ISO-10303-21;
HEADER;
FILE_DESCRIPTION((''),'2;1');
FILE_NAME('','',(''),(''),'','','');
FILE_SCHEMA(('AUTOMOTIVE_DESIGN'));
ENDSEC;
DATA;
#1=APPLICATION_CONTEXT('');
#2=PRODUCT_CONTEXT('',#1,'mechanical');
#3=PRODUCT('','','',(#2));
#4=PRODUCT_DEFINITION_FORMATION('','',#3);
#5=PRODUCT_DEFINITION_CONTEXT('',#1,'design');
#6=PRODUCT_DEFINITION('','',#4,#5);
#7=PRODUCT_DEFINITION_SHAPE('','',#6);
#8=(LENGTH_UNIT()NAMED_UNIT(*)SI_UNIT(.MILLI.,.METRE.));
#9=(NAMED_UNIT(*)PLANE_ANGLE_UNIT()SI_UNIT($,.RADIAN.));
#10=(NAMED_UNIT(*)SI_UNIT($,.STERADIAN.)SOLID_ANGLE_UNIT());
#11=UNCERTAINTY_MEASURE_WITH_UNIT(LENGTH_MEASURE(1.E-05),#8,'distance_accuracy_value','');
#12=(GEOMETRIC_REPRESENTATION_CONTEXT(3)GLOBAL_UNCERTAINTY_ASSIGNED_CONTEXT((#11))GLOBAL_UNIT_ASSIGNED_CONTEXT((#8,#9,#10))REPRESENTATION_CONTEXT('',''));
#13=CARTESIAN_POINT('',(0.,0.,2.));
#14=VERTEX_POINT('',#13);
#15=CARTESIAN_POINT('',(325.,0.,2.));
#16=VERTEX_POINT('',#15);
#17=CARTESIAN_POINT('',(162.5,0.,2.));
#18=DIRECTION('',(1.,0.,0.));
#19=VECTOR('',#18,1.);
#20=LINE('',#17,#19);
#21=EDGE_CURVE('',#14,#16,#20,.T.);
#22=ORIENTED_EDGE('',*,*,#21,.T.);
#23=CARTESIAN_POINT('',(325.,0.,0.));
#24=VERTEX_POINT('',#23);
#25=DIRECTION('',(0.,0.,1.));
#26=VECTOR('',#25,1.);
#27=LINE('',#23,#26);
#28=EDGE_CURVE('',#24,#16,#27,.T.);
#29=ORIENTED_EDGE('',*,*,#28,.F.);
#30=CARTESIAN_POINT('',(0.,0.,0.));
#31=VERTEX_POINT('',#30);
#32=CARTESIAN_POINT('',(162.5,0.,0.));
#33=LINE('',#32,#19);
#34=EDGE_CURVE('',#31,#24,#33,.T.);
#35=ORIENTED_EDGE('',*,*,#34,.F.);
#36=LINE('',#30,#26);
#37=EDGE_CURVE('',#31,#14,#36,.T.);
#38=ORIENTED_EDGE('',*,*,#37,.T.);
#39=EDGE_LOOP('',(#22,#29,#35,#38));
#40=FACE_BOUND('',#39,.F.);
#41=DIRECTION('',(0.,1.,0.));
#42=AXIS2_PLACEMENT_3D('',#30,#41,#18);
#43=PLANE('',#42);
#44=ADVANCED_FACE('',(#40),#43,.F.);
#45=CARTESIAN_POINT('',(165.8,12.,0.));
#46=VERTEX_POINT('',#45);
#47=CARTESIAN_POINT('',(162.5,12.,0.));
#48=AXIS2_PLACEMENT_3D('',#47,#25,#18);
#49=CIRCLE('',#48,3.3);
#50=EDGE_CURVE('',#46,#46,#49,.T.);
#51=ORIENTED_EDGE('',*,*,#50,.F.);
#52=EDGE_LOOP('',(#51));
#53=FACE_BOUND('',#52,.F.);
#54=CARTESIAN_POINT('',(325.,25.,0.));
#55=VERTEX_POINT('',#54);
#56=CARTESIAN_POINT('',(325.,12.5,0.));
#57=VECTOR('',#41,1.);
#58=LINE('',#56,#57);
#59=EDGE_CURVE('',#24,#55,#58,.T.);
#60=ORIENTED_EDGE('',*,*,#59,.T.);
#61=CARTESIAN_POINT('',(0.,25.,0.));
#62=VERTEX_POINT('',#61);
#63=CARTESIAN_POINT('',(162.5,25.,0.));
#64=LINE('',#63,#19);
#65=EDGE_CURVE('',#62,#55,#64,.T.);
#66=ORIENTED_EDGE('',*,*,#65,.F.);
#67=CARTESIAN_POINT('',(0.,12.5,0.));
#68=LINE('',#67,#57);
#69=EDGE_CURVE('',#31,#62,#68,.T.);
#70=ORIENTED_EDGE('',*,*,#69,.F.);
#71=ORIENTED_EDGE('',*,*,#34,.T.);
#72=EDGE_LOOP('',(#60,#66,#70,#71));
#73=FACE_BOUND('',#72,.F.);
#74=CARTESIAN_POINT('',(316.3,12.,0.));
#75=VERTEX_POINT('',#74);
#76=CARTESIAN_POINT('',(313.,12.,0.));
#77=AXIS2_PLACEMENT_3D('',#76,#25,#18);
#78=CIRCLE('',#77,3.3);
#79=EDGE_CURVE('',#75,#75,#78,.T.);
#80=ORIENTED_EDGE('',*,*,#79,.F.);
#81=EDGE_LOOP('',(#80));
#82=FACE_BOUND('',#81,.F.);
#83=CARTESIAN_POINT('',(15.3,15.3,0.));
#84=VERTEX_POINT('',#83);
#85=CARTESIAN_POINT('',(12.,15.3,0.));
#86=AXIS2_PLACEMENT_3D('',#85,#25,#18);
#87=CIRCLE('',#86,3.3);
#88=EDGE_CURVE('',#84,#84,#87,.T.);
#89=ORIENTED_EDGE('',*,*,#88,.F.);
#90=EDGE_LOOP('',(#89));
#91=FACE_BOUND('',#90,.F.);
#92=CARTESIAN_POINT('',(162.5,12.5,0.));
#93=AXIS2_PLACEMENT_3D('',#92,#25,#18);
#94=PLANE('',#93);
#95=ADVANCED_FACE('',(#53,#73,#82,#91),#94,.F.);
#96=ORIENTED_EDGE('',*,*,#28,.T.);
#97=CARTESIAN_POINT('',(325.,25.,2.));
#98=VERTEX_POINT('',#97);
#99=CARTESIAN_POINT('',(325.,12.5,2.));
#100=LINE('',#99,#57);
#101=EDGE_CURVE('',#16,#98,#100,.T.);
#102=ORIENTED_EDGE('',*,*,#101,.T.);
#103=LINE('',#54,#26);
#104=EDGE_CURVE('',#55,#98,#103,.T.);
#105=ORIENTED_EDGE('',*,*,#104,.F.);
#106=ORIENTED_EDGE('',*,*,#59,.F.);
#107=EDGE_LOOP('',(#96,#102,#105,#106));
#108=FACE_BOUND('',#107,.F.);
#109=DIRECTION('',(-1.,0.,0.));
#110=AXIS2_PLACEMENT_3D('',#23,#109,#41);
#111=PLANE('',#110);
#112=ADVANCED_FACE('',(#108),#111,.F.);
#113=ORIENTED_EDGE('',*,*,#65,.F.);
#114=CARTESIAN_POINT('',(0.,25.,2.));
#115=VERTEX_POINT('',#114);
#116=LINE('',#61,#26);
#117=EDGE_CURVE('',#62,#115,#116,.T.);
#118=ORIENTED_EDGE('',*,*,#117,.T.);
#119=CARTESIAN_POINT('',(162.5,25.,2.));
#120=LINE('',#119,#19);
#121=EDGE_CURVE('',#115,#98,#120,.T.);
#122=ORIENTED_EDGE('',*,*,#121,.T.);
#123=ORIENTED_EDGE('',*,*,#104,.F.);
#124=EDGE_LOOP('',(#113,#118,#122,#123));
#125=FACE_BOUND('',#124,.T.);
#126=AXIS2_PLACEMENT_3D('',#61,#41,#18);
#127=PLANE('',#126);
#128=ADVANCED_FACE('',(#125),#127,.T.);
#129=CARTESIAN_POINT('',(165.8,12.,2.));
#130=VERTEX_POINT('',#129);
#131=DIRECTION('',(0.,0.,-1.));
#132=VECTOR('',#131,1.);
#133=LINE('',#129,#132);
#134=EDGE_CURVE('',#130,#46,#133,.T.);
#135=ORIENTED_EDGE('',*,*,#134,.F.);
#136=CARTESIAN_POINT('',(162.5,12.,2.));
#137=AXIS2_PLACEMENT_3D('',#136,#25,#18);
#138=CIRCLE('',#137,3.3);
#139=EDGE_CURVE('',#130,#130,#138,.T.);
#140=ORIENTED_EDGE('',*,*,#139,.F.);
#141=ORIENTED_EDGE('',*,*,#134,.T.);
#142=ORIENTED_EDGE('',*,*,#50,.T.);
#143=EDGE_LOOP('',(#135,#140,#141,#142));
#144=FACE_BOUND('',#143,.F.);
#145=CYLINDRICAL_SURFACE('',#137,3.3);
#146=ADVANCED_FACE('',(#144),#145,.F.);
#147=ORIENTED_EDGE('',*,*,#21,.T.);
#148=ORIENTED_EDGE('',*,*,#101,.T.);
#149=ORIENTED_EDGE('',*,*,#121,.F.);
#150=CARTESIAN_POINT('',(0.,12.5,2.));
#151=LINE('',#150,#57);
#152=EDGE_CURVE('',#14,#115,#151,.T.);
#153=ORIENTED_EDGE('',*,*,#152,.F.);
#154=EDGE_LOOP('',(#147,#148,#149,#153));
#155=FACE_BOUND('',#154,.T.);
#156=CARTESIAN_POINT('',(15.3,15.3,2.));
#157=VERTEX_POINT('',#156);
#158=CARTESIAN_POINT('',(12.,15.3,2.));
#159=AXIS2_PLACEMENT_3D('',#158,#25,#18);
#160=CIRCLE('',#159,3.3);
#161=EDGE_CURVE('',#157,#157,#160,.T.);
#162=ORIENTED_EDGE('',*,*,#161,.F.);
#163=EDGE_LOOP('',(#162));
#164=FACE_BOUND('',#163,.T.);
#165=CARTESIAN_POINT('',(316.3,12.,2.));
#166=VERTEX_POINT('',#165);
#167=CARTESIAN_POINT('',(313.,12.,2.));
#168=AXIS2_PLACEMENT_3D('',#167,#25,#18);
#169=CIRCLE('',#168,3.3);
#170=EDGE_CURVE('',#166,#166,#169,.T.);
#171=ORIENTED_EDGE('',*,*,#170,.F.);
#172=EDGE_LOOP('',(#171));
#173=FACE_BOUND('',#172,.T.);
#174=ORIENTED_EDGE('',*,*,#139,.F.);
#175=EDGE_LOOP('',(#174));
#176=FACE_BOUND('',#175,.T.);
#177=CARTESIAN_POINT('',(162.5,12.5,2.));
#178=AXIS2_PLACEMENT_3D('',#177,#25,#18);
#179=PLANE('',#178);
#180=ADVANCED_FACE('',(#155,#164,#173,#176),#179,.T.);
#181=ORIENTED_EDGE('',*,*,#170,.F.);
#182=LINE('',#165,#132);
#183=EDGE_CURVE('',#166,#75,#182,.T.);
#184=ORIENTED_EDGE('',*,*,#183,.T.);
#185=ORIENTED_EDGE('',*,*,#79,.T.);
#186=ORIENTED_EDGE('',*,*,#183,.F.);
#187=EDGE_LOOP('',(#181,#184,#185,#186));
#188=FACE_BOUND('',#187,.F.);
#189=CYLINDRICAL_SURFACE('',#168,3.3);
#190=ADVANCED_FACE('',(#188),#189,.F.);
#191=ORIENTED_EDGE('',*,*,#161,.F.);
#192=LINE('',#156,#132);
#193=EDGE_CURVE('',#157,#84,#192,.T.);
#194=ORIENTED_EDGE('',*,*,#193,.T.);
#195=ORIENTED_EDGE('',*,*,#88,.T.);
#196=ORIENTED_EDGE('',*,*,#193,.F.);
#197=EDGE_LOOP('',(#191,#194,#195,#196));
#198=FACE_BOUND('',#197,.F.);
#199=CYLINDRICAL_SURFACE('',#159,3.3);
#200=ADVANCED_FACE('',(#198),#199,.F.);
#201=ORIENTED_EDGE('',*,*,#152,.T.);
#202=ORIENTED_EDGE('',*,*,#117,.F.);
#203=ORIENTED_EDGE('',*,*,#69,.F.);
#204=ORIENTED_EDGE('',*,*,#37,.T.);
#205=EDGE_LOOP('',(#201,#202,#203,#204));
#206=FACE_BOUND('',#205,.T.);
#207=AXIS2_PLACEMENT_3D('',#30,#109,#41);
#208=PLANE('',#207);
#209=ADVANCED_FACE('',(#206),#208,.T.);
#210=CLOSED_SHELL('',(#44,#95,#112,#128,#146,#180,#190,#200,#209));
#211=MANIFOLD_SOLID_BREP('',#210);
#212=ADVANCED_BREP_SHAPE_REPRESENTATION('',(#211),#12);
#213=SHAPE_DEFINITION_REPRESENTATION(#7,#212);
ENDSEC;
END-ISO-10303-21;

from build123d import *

# Parameters (mm, degrees)
F0_W     = 325
F0_H     = 25
F1_DEPTH = 2
F2_R     = 3.3
F3_DEPTH = 25


with BuildPart() as f1:
    # F0 (on Top) → F1 (new body)
    with BuildSketch(Plane.XY):
        with Locations((162.5, 12.5)):
            Rectangle(F0_W, F0_H)
    extrude(amount=F1_DEPTH)

    # F2 (on face) → F3 (cut)
    with BuildSketch(Plane.XY.offset(2)):
        with Locations((12, 15.3)):
            Circle(F2_R)
        with Locations((162.5, 12)):
            Circle(F2_R)
        with Locations((313, 12)):
            Circle(F2_R)
    extrude(amount=-F3_DEPTH, mode=Mode.SUBTRACT)


solid = f1.part
